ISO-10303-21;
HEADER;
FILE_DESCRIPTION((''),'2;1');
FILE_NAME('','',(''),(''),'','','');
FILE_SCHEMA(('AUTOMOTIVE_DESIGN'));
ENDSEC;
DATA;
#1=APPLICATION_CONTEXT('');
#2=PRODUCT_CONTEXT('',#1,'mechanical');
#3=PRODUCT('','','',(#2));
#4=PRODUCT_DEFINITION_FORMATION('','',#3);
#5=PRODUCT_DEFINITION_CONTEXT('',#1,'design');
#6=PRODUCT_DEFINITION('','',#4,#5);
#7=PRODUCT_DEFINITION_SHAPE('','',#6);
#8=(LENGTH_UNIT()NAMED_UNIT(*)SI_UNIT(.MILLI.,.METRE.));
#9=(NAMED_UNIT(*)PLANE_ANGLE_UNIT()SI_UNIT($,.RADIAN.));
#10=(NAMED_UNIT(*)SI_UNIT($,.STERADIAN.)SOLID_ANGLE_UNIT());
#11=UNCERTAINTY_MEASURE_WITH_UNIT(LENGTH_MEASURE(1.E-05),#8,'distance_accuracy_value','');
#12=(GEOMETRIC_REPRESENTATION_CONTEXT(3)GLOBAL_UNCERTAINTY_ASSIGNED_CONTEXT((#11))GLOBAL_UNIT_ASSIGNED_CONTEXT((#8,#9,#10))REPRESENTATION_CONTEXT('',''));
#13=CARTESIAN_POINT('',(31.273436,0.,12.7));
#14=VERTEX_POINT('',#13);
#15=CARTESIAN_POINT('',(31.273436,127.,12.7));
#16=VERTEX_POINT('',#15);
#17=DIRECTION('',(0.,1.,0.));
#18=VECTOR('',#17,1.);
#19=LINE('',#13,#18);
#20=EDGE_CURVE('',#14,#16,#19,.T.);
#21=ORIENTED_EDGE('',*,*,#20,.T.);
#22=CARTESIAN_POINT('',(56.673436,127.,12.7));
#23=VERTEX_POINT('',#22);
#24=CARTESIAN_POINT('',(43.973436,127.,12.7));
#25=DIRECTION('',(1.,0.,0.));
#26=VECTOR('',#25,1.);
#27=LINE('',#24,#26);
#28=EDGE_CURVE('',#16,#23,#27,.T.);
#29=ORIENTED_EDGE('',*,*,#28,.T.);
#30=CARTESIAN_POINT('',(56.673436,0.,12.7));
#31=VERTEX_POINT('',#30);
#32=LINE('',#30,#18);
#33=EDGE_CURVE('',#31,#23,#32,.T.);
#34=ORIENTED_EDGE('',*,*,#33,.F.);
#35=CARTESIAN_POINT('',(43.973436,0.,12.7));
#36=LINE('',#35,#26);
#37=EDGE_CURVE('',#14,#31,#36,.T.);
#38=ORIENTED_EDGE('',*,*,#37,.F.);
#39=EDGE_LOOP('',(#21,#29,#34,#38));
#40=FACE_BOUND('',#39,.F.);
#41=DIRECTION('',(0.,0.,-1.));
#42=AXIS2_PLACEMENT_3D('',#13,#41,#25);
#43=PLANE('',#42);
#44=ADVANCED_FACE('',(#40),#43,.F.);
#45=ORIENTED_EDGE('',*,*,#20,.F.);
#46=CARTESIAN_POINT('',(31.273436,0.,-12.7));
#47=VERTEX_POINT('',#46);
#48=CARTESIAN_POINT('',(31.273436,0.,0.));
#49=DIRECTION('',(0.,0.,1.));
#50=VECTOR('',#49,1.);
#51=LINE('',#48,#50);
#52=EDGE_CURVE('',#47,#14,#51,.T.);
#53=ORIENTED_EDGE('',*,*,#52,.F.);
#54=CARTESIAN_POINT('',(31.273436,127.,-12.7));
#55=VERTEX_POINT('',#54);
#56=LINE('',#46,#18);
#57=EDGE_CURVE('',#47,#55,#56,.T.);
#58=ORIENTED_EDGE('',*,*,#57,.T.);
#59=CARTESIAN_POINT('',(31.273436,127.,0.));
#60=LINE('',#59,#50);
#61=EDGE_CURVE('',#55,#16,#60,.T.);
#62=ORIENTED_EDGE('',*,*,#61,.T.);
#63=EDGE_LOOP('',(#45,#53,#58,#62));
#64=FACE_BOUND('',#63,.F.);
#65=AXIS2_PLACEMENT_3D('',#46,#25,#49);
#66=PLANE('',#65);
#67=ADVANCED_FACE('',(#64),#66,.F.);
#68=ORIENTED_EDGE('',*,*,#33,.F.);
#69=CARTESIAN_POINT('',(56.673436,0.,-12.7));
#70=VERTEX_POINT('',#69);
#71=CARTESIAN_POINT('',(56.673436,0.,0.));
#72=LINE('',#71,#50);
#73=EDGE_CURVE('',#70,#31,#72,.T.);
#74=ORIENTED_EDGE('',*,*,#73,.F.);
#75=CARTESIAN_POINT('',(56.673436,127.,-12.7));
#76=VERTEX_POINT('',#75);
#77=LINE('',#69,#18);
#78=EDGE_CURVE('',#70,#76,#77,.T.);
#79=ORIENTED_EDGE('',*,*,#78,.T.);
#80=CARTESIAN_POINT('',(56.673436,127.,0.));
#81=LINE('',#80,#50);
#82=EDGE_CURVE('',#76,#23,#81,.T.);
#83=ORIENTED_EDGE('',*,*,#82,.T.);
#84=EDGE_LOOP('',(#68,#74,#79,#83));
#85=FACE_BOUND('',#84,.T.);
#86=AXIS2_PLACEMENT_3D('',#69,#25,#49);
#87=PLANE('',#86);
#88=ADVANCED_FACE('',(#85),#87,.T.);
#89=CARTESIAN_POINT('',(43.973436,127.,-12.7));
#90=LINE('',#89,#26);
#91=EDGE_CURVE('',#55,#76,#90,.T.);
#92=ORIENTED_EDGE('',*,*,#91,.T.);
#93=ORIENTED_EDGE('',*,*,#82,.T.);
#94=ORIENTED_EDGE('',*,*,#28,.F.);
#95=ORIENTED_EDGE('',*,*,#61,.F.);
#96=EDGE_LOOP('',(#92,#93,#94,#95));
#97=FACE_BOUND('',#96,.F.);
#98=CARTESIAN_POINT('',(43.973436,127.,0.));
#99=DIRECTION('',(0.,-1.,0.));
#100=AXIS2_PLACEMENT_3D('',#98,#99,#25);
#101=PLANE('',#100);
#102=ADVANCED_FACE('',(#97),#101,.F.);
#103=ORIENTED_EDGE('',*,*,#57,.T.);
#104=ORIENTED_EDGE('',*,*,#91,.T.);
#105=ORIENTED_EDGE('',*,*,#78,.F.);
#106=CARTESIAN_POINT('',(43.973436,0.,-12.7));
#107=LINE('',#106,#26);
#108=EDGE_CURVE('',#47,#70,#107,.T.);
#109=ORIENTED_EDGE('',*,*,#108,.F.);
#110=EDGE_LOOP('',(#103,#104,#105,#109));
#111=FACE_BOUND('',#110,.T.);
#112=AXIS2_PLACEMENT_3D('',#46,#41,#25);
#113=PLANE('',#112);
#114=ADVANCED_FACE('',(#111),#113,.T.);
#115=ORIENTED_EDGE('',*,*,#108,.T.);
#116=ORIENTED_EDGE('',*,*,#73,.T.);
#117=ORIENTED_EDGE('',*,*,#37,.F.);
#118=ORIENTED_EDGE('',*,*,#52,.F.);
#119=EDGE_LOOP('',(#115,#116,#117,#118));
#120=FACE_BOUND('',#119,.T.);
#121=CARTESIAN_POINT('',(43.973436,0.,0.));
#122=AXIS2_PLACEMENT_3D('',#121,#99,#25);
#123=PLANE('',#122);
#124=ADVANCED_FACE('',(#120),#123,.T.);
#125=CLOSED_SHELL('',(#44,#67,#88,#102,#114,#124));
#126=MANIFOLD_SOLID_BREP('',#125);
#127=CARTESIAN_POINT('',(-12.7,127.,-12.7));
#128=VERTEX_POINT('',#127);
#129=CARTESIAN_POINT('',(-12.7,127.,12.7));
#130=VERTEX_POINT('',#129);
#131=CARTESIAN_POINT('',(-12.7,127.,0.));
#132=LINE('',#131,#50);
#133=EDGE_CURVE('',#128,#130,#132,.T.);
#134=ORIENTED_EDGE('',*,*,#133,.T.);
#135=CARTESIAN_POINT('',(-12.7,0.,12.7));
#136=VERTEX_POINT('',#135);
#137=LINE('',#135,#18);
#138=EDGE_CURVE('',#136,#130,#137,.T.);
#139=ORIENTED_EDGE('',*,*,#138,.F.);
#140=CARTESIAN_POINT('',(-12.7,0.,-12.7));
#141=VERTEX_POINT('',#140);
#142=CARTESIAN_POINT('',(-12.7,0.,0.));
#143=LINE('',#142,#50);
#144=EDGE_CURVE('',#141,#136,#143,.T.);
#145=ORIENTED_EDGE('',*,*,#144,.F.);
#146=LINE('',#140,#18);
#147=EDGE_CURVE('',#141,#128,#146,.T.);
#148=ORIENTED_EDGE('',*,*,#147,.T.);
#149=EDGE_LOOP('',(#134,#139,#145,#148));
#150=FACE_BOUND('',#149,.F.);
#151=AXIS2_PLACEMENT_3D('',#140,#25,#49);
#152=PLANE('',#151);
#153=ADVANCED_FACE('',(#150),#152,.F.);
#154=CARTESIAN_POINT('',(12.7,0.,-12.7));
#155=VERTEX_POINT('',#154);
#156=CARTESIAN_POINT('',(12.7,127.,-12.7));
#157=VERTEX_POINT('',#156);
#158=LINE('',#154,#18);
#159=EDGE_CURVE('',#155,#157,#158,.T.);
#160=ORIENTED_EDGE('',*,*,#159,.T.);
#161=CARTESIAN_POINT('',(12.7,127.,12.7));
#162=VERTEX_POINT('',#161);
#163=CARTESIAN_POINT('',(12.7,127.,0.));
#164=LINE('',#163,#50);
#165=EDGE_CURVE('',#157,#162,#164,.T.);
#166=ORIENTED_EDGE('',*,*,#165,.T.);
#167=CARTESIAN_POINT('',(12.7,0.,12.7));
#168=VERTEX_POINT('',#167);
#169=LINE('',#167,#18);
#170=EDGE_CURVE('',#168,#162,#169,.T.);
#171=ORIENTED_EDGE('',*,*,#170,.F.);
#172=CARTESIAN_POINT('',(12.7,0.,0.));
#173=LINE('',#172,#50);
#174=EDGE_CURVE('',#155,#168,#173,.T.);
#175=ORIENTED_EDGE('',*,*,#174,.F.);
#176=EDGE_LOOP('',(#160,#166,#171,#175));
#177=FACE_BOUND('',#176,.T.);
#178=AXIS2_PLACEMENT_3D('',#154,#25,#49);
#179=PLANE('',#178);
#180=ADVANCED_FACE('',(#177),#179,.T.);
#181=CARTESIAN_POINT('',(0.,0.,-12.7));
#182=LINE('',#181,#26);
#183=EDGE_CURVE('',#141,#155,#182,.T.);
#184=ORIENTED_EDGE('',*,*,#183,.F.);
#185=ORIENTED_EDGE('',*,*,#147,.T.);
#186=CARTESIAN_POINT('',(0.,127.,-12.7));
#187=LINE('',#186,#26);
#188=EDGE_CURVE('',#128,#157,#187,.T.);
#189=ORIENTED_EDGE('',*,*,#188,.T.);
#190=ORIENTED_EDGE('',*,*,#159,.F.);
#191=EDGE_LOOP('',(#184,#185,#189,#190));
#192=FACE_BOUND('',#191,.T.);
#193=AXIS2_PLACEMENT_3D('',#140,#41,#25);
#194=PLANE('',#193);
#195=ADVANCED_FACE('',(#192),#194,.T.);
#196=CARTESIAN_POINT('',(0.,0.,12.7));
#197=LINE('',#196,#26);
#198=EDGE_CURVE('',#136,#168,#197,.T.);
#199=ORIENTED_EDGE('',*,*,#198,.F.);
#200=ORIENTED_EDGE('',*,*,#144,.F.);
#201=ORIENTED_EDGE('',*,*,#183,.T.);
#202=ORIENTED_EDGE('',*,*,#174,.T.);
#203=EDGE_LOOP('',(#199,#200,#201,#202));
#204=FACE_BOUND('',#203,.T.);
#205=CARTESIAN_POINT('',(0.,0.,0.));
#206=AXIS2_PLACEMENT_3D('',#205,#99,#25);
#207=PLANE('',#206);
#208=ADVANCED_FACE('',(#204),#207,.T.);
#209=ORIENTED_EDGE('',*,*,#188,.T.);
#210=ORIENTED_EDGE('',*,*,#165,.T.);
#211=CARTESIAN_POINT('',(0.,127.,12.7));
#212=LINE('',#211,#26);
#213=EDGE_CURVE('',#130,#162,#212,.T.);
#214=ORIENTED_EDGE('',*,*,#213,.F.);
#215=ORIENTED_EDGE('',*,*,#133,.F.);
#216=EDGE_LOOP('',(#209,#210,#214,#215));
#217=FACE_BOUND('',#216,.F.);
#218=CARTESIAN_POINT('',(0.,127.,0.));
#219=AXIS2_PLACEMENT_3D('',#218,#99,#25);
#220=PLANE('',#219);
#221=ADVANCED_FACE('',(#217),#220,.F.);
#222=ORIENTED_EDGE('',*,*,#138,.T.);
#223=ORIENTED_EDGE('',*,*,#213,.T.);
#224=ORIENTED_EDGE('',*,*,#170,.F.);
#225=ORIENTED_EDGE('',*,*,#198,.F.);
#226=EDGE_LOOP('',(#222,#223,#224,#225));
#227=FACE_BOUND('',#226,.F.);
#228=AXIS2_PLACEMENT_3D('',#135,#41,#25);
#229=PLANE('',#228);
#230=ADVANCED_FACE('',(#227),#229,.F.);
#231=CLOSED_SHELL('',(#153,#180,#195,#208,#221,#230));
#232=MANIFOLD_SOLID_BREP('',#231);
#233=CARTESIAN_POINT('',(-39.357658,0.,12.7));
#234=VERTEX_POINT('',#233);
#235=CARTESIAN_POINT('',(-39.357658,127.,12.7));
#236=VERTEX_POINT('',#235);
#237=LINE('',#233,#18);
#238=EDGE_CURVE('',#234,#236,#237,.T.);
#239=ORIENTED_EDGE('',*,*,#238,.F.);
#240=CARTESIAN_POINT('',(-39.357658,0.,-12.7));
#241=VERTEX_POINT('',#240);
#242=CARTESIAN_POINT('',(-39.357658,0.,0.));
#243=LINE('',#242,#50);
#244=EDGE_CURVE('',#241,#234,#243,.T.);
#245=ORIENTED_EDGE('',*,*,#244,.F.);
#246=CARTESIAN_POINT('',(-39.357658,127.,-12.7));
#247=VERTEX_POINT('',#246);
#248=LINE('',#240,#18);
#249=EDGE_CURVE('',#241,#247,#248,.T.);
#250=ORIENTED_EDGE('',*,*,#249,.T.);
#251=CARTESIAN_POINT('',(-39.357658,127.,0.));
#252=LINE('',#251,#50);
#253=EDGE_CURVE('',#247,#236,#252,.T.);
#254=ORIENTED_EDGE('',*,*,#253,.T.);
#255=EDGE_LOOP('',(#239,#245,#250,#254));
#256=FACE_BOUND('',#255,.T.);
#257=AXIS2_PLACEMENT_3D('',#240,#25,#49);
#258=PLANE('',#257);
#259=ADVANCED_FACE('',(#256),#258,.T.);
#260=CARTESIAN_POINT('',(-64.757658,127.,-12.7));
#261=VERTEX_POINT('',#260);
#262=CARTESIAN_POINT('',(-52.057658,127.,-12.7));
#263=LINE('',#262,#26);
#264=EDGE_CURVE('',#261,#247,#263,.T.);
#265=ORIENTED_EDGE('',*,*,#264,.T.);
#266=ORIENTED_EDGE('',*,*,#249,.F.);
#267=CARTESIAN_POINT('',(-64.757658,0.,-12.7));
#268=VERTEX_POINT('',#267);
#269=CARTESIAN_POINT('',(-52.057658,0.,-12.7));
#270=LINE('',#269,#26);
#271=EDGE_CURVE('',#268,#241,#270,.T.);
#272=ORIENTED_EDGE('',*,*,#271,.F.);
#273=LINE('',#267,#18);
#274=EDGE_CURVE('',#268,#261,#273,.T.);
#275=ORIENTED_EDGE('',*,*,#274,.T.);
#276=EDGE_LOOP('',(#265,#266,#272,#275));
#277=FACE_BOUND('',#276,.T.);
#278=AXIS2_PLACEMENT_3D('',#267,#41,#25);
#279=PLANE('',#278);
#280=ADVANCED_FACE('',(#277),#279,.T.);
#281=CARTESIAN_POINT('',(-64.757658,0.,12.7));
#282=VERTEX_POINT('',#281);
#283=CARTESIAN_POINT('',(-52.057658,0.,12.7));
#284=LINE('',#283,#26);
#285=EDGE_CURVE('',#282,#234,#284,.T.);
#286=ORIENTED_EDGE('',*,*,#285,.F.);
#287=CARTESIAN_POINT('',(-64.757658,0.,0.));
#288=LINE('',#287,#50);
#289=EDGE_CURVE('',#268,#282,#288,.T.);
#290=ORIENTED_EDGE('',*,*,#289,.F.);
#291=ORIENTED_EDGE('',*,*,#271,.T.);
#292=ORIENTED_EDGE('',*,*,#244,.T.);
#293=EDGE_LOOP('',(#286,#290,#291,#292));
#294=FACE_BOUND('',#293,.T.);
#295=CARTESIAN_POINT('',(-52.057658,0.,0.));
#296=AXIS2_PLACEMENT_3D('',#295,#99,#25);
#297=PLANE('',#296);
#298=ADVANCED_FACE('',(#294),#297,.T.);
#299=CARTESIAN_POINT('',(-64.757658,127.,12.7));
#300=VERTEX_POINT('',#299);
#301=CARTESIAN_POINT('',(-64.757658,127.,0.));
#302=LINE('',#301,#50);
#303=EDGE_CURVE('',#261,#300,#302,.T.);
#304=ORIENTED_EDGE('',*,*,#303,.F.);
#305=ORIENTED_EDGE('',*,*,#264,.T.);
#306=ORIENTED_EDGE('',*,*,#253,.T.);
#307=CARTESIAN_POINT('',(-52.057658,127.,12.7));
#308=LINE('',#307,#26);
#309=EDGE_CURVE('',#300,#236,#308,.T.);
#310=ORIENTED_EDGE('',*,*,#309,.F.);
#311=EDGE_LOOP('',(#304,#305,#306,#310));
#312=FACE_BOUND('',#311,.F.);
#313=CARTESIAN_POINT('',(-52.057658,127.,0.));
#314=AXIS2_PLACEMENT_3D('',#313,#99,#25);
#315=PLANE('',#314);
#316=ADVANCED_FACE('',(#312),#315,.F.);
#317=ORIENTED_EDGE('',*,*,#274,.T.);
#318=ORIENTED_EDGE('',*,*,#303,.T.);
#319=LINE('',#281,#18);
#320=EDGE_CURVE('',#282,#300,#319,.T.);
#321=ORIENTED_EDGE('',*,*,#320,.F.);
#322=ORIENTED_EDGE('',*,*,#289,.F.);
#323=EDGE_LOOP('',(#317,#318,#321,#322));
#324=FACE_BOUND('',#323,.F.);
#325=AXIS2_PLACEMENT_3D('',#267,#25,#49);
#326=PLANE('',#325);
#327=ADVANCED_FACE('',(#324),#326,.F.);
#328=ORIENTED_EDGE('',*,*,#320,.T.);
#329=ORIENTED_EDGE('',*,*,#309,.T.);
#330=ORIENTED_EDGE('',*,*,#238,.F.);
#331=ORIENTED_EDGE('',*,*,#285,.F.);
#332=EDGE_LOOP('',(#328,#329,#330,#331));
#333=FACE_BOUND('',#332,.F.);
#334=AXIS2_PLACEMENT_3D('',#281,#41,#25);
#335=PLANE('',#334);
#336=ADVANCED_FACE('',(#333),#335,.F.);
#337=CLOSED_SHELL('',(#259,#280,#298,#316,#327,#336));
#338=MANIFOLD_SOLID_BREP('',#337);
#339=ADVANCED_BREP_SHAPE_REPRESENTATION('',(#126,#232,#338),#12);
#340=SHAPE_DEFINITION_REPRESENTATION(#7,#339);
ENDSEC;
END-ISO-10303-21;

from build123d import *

# Parameters (mm, degrees)
F0_W     = 25.4
F0_H     = 25.4
F1_DEPTH = 127


with BuildPart() as f1:
    # F0 (on Front) → F1 (new body)
    with BuildSketch(Plane.XZ):
        Rectangle(F0_W, F0_H)
        with Locations((43.973436, 0)):
            Rectangle(F0_W, F0_H)
        with Locations((-52.057658, 0)):
            Rectangle(F0_W, F0_H)
    extrude(amount=-F1_DEPTH)


solid = f1.part
